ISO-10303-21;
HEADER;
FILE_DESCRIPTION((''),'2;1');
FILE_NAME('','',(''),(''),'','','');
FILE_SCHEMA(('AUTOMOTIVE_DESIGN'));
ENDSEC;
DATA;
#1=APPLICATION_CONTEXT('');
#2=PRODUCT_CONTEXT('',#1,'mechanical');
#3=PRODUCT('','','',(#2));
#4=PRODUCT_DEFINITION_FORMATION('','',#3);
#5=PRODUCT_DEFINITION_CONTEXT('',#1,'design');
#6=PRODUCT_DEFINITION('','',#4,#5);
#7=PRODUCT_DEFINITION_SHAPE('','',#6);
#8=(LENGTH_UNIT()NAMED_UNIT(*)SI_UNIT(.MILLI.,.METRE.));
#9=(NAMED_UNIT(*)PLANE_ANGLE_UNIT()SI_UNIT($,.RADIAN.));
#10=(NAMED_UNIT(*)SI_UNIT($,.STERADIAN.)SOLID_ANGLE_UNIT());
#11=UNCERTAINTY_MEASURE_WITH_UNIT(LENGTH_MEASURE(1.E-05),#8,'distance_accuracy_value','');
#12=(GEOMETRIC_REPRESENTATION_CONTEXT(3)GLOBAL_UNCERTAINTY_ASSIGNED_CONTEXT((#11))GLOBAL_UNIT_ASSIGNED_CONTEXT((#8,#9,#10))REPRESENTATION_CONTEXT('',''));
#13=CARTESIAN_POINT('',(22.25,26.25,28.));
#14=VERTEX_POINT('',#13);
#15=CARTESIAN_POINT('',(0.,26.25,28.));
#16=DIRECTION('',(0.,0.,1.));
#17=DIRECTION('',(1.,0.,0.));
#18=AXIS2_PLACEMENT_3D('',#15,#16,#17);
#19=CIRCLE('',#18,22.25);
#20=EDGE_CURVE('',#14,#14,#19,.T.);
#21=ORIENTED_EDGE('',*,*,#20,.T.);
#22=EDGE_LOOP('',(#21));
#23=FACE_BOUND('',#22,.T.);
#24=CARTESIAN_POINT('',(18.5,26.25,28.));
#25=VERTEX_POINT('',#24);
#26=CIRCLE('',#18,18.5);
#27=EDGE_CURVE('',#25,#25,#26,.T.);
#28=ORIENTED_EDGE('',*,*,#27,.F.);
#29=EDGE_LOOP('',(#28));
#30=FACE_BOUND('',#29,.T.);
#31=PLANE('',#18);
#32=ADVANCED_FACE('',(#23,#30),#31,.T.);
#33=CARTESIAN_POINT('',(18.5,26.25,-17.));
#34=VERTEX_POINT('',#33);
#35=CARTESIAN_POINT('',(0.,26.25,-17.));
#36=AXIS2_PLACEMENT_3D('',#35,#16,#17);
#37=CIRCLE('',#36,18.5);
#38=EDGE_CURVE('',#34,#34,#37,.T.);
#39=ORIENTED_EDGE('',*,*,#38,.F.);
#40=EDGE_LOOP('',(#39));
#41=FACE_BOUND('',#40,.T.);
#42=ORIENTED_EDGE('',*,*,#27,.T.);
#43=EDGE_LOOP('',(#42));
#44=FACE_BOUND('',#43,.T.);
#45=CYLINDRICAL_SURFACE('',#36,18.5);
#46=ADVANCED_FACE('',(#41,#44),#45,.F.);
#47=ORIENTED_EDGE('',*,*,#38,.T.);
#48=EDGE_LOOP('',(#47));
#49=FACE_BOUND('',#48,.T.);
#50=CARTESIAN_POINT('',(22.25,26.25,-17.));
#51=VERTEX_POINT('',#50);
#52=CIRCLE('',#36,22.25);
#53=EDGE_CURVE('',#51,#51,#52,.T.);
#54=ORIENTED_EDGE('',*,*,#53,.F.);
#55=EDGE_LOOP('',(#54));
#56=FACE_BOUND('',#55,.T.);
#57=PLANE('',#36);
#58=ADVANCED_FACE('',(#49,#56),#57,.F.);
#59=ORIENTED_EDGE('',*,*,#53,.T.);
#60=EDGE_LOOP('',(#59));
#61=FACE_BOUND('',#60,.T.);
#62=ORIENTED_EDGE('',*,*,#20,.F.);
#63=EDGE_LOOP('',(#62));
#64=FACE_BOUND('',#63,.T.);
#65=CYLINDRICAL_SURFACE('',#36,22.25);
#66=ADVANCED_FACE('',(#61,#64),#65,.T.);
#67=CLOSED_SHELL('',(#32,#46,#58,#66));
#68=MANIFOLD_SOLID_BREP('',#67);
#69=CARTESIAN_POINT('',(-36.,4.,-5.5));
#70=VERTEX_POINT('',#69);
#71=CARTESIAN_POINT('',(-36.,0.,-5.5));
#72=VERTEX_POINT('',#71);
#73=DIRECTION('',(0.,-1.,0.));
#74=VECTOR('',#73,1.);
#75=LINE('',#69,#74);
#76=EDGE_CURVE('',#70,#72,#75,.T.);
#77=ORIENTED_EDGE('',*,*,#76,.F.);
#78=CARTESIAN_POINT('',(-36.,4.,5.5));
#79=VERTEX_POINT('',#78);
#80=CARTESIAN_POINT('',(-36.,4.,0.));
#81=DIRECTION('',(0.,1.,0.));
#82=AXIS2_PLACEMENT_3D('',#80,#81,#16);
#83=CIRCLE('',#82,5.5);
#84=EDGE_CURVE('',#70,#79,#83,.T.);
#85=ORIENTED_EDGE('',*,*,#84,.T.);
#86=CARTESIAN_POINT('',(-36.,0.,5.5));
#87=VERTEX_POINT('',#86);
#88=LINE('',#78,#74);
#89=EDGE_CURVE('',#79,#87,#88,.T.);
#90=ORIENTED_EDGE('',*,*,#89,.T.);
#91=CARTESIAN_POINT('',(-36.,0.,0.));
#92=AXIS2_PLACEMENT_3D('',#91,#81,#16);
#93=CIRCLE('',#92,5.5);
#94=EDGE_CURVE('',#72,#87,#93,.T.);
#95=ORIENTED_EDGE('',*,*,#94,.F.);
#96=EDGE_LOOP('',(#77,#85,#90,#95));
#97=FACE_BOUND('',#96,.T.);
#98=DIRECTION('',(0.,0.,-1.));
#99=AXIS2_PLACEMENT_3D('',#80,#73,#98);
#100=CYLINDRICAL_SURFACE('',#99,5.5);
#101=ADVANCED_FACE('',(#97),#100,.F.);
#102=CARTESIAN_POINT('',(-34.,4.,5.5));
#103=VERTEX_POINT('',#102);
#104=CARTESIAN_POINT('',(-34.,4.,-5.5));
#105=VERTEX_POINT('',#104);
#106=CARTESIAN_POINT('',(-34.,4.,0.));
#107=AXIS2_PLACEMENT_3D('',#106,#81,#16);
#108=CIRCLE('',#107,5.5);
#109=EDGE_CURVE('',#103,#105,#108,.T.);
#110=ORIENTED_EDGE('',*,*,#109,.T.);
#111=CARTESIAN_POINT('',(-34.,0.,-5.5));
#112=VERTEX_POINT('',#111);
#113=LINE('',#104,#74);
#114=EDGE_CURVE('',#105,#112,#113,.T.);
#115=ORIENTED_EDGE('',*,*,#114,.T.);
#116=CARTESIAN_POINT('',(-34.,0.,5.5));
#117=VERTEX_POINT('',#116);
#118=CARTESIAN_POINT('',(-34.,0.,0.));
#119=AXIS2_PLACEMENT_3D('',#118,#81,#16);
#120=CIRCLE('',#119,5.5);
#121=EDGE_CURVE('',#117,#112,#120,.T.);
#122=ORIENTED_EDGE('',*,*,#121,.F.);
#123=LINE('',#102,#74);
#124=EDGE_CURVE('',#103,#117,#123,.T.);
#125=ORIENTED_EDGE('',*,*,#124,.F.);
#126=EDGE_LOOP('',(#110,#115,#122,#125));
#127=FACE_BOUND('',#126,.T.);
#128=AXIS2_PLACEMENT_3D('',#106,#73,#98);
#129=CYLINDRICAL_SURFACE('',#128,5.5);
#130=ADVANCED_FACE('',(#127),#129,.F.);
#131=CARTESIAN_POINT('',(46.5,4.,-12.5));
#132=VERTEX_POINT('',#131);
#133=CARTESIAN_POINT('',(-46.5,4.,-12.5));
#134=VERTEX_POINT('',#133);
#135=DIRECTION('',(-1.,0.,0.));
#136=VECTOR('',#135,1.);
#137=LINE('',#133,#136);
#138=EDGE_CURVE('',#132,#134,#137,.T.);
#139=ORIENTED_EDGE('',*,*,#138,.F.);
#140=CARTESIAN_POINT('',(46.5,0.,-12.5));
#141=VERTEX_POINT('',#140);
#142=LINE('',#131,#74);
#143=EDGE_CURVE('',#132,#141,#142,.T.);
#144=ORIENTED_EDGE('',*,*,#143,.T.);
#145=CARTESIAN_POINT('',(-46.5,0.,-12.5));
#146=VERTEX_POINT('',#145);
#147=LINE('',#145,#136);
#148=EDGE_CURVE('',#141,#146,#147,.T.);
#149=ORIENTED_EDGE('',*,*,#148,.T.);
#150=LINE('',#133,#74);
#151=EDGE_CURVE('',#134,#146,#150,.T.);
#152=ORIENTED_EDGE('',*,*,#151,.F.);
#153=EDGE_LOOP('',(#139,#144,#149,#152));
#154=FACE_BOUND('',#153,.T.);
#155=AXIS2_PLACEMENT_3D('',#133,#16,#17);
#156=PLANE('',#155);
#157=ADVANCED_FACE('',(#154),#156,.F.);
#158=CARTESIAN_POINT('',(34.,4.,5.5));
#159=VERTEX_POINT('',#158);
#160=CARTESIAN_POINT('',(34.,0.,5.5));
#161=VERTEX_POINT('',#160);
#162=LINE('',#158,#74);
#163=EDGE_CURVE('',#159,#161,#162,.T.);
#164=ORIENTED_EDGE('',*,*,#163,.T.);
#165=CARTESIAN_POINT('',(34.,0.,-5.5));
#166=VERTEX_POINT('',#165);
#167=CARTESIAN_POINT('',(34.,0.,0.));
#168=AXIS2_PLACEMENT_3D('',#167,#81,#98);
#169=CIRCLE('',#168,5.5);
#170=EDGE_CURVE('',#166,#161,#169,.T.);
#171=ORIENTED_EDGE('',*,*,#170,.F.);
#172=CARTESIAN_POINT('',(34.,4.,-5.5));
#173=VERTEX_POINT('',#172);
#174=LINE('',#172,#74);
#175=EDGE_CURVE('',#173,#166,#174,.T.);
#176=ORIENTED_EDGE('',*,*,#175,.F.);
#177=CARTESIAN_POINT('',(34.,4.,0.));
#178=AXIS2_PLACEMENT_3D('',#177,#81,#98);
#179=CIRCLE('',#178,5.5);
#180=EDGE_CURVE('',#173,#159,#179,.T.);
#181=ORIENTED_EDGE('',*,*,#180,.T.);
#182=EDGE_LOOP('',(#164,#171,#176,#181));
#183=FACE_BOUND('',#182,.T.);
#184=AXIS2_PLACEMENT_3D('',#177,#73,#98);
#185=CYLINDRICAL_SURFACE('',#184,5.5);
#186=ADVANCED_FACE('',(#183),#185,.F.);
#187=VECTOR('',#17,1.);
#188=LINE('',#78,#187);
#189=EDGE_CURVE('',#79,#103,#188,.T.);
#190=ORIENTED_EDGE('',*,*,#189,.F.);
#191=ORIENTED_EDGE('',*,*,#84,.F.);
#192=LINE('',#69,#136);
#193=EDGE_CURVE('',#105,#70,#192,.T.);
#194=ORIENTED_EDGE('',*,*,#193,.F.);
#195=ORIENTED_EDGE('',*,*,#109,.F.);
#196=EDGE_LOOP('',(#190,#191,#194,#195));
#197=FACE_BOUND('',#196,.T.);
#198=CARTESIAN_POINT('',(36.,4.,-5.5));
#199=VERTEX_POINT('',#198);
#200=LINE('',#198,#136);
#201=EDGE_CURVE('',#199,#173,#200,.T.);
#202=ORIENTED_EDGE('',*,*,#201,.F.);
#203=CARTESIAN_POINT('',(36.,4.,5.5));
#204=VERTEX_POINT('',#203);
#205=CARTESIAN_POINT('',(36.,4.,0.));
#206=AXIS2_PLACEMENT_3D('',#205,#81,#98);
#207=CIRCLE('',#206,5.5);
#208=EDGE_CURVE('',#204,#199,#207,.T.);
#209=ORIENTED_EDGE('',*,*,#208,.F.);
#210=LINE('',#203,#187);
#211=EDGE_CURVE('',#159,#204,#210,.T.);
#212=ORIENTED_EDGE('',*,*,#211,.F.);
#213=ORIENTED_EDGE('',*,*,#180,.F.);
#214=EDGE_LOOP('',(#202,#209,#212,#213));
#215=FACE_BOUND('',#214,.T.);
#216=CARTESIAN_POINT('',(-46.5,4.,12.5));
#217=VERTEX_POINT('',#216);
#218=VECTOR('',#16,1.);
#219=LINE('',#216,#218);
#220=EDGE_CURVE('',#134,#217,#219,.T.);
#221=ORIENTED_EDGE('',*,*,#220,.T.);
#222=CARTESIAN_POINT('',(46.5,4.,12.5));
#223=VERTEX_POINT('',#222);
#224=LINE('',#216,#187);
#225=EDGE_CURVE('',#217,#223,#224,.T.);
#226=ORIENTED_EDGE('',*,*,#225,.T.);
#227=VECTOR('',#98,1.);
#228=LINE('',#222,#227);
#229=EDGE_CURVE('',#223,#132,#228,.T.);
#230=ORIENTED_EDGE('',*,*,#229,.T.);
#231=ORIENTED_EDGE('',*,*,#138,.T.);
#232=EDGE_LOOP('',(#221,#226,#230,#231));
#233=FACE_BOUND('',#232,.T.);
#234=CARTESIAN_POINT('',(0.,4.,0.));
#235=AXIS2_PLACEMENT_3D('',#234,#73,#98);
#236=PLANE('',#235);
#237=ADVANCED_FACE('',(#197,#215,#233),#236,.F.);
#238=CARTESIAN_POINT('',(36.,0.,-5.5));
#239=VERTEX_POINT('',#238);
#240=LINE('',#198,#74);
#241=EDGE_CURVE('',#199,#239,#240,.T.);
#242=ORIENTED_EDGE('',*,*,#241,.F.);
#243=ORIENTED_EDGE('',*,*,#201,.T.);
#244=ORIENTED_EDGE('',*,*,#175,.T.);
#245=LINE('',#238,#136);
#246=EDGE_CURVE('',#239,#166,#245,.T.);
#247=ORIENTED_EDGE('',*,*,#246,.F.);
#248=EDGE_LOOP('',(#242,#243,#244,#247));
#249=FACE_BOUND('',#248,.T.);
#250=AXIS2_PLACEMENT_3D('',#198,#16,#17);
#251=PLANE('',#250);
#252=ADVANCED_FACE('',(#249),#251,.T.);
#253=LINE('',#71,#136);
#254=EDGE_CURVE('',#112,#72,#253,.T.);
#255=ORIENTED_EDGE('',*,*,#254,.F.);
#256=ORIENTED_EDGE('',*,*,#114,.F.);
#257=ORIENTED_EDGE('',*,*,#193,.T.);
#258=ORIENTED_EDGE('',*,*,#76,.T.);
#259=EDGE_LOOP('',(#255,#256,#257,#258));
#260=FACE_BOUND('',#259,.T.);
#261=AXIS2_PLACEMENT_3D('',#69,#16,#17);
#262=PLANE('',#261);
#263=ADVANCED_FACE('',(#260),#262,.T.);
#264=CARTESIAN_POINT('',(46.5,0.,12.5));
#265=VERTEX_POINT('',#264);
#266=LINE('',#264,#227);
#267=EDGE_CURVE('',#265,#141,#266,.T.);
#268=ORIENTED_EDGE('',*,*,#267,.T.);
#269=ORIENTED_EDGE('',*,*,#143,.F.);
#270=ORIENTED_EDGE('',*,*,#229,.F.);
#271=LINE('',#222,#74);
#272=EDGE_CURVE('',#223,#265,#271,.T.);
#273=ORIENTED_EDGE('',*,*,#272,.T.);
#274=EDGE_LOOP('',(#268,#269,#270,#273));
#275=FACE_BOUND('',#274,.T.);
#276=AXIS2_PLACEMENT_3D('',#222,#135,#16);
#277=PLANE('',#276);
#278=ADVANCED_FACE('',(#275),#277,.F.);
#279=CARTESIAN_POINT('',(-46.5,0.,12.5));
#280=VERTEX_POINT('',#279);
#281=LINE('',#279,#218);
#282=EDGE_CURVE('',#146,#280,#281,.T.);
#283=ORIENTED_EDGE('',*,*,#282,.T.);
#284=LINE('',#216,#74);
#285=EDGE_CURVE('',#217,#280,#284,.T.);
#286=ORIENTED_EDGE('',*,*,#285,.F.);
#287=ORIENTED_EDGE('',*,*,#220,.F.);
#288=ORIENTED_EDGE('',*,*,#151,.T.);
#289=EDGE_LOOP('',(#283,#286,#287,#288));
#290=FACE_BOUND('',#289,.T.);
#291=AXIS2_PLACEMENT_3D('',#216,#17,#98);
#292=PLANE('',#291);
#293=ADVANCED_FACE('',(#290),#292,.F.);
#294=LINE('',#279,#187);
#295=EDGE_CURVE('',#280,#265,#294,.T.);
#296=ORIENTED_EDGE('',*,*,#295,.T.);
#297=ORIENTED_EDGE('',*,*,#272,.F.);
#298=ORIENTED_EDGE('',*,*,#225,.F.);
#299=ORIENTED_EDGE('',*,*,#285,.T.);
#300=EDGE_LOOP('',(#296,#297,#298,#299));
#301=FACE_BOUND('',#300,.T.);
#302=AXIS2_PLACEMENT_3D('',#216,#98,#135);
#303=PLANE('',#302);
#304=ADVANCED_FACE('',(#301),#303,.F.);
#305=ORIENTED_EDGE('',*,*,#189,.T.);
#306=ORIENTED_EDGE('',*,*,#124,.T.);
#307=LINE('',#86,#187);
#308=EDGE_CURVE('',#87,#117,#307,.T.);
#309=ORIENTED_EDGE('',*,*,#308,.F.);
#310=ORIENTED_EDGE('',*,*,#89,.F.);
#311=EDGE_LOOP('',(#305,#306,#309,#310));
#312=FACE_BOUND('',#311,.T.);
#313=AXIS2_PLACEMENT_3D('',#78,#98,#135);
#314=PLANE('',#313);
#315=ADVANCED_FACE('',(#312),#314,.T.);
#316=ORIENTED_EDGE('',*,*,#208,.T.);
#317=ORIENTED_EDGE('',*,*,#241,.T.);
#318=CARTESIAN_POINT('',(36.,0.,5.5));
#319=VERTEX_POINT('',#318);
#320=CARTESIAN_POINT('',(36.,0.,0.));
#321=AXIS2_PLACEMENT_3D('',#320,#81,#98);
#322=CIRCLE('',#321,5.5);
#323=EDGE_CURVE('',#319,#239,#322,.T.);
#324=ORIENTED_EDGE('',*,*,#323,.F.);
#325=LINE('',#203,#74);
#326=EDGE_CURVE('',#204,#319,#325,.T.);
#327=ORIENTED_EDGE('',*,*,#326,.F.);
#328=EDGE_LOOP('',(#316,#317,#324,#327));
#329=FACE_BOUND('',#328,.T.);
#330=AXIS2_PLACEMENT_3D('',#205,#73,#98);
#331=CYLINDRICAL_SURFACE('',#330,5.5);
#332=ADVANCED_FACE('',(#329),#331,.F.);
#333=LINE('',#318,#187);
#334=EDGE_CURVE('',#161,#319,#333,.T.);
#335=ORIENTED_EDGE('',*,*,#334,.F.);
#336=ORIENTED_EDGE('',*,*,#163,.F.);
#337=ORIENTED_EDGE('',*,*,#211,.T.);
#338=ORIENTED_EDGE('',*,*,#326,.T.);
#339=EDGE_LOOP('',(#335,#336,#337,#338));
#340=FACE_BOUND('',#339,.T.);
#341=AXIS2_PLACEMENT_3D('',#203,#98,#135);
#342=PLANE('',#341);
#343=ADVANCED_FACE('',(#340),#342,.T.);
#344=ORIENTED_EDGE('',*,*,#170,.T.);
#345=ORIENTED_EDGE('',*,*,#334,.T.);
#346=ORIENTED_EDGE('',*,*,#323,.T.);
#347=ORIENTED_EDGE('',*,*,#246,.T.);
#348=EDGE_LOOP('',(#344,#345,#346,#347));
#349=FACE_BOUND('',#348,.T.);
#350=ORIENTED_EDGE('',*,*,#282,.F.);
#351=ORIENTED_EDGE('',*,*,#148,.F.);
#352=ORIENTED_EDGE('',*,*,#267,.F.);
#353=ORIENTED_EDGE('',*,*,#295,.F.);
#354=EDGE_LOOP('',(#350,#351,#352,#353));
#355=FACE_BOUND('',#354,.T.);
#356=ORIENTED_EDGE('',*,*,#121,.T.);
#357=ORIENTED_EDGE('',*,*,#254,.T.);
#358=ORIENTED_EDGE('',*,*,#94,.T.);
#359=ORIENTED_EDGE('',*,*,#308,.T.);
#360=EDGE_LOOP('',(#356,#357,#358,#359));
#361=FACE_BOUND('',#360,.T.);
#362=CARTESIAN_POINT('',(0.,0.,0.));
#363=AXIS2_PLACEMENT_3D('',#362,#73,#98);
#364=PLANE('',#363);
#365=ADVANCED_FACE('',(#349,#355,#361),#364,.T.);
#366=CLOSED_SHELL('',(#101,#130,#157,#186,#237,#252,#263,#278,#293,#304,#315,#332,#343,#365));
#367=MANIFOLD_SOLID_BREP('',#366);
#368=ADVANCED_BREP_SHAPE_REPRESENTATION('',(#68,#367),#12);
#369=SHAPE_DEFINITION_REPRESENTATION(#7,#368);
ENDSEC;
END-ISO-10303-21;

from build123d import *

# Parameters (mm, degrees)
SKETCH_1_W           = 93
SKETCH_1_H           = 25
EXTRUDE_1_DEPTH      = 4
EXTRUDE_2_DEPTH      = 15.5
EXTRUDE_2_DEPTH_BACK = 29.5
SKETCH_2_R           = 22.25
SKETCH_2_R_2         = 18.5


with BuildPart() as part:
    # Эскиз1 → Бобышка-Вытянуть1 (new body)
    with BuildSketch(Plane(origin=(0, 0, 0), x_dir=(1, 0, 0), z_dir=(0, 1, 0))):
        Rectangle(SKETCH_1_W, SKETCH_1_H)
        with BuildLine():
            Line((-36, 5.5), (-34, 5.5))
            ThreePointArc((-34, 5.5), (-28.5, 0), (-34, -5.5))
            Line((-34, -5.5), (-36, -5.5))
            ThreePointArc((-36, -5.5), (-41.5, 0), (-36, 5.5))
        make_face(mode=Mode.SUBTRACT)
        with BuildLine():
            Line((36, 5.5), (34, 5.5))
            ThreePointArc((34, 5.5), (28.5, 0), (34, -5.5))
            Line((34, -5.5), (36, -5.5))
            ThreePointArc((36, -5.5), (41.5, 0), (36, 5.5))
        make_face(mode=Mode.SUBTRACT)
    extrude(amount=EXTRUDE_1_DEPTH)


with BuildPart() as body_2:
    # Эскиз2 → Бобышка-Вытянуть2 (new, two sides: drawn at the far end of the back side and taken through both)
    with BuildSketch(Plane.XY.offset(12.5).offset(-EXTRUDE_2_DEPTH_BACK)):
        with Locations((0, 26.25)):
            Circle(SKETCH_2_R)
        with Locations((0, 26.25)):
            Circle(SKETCH_2_R_2, mode=Mode.SUBTRACT)
    extrude(amount=EXTRUDE_2_DEPTH + EXTRUDE_2_DEPTH_BACK)


solid = Compound([part.part, body_2.part])
